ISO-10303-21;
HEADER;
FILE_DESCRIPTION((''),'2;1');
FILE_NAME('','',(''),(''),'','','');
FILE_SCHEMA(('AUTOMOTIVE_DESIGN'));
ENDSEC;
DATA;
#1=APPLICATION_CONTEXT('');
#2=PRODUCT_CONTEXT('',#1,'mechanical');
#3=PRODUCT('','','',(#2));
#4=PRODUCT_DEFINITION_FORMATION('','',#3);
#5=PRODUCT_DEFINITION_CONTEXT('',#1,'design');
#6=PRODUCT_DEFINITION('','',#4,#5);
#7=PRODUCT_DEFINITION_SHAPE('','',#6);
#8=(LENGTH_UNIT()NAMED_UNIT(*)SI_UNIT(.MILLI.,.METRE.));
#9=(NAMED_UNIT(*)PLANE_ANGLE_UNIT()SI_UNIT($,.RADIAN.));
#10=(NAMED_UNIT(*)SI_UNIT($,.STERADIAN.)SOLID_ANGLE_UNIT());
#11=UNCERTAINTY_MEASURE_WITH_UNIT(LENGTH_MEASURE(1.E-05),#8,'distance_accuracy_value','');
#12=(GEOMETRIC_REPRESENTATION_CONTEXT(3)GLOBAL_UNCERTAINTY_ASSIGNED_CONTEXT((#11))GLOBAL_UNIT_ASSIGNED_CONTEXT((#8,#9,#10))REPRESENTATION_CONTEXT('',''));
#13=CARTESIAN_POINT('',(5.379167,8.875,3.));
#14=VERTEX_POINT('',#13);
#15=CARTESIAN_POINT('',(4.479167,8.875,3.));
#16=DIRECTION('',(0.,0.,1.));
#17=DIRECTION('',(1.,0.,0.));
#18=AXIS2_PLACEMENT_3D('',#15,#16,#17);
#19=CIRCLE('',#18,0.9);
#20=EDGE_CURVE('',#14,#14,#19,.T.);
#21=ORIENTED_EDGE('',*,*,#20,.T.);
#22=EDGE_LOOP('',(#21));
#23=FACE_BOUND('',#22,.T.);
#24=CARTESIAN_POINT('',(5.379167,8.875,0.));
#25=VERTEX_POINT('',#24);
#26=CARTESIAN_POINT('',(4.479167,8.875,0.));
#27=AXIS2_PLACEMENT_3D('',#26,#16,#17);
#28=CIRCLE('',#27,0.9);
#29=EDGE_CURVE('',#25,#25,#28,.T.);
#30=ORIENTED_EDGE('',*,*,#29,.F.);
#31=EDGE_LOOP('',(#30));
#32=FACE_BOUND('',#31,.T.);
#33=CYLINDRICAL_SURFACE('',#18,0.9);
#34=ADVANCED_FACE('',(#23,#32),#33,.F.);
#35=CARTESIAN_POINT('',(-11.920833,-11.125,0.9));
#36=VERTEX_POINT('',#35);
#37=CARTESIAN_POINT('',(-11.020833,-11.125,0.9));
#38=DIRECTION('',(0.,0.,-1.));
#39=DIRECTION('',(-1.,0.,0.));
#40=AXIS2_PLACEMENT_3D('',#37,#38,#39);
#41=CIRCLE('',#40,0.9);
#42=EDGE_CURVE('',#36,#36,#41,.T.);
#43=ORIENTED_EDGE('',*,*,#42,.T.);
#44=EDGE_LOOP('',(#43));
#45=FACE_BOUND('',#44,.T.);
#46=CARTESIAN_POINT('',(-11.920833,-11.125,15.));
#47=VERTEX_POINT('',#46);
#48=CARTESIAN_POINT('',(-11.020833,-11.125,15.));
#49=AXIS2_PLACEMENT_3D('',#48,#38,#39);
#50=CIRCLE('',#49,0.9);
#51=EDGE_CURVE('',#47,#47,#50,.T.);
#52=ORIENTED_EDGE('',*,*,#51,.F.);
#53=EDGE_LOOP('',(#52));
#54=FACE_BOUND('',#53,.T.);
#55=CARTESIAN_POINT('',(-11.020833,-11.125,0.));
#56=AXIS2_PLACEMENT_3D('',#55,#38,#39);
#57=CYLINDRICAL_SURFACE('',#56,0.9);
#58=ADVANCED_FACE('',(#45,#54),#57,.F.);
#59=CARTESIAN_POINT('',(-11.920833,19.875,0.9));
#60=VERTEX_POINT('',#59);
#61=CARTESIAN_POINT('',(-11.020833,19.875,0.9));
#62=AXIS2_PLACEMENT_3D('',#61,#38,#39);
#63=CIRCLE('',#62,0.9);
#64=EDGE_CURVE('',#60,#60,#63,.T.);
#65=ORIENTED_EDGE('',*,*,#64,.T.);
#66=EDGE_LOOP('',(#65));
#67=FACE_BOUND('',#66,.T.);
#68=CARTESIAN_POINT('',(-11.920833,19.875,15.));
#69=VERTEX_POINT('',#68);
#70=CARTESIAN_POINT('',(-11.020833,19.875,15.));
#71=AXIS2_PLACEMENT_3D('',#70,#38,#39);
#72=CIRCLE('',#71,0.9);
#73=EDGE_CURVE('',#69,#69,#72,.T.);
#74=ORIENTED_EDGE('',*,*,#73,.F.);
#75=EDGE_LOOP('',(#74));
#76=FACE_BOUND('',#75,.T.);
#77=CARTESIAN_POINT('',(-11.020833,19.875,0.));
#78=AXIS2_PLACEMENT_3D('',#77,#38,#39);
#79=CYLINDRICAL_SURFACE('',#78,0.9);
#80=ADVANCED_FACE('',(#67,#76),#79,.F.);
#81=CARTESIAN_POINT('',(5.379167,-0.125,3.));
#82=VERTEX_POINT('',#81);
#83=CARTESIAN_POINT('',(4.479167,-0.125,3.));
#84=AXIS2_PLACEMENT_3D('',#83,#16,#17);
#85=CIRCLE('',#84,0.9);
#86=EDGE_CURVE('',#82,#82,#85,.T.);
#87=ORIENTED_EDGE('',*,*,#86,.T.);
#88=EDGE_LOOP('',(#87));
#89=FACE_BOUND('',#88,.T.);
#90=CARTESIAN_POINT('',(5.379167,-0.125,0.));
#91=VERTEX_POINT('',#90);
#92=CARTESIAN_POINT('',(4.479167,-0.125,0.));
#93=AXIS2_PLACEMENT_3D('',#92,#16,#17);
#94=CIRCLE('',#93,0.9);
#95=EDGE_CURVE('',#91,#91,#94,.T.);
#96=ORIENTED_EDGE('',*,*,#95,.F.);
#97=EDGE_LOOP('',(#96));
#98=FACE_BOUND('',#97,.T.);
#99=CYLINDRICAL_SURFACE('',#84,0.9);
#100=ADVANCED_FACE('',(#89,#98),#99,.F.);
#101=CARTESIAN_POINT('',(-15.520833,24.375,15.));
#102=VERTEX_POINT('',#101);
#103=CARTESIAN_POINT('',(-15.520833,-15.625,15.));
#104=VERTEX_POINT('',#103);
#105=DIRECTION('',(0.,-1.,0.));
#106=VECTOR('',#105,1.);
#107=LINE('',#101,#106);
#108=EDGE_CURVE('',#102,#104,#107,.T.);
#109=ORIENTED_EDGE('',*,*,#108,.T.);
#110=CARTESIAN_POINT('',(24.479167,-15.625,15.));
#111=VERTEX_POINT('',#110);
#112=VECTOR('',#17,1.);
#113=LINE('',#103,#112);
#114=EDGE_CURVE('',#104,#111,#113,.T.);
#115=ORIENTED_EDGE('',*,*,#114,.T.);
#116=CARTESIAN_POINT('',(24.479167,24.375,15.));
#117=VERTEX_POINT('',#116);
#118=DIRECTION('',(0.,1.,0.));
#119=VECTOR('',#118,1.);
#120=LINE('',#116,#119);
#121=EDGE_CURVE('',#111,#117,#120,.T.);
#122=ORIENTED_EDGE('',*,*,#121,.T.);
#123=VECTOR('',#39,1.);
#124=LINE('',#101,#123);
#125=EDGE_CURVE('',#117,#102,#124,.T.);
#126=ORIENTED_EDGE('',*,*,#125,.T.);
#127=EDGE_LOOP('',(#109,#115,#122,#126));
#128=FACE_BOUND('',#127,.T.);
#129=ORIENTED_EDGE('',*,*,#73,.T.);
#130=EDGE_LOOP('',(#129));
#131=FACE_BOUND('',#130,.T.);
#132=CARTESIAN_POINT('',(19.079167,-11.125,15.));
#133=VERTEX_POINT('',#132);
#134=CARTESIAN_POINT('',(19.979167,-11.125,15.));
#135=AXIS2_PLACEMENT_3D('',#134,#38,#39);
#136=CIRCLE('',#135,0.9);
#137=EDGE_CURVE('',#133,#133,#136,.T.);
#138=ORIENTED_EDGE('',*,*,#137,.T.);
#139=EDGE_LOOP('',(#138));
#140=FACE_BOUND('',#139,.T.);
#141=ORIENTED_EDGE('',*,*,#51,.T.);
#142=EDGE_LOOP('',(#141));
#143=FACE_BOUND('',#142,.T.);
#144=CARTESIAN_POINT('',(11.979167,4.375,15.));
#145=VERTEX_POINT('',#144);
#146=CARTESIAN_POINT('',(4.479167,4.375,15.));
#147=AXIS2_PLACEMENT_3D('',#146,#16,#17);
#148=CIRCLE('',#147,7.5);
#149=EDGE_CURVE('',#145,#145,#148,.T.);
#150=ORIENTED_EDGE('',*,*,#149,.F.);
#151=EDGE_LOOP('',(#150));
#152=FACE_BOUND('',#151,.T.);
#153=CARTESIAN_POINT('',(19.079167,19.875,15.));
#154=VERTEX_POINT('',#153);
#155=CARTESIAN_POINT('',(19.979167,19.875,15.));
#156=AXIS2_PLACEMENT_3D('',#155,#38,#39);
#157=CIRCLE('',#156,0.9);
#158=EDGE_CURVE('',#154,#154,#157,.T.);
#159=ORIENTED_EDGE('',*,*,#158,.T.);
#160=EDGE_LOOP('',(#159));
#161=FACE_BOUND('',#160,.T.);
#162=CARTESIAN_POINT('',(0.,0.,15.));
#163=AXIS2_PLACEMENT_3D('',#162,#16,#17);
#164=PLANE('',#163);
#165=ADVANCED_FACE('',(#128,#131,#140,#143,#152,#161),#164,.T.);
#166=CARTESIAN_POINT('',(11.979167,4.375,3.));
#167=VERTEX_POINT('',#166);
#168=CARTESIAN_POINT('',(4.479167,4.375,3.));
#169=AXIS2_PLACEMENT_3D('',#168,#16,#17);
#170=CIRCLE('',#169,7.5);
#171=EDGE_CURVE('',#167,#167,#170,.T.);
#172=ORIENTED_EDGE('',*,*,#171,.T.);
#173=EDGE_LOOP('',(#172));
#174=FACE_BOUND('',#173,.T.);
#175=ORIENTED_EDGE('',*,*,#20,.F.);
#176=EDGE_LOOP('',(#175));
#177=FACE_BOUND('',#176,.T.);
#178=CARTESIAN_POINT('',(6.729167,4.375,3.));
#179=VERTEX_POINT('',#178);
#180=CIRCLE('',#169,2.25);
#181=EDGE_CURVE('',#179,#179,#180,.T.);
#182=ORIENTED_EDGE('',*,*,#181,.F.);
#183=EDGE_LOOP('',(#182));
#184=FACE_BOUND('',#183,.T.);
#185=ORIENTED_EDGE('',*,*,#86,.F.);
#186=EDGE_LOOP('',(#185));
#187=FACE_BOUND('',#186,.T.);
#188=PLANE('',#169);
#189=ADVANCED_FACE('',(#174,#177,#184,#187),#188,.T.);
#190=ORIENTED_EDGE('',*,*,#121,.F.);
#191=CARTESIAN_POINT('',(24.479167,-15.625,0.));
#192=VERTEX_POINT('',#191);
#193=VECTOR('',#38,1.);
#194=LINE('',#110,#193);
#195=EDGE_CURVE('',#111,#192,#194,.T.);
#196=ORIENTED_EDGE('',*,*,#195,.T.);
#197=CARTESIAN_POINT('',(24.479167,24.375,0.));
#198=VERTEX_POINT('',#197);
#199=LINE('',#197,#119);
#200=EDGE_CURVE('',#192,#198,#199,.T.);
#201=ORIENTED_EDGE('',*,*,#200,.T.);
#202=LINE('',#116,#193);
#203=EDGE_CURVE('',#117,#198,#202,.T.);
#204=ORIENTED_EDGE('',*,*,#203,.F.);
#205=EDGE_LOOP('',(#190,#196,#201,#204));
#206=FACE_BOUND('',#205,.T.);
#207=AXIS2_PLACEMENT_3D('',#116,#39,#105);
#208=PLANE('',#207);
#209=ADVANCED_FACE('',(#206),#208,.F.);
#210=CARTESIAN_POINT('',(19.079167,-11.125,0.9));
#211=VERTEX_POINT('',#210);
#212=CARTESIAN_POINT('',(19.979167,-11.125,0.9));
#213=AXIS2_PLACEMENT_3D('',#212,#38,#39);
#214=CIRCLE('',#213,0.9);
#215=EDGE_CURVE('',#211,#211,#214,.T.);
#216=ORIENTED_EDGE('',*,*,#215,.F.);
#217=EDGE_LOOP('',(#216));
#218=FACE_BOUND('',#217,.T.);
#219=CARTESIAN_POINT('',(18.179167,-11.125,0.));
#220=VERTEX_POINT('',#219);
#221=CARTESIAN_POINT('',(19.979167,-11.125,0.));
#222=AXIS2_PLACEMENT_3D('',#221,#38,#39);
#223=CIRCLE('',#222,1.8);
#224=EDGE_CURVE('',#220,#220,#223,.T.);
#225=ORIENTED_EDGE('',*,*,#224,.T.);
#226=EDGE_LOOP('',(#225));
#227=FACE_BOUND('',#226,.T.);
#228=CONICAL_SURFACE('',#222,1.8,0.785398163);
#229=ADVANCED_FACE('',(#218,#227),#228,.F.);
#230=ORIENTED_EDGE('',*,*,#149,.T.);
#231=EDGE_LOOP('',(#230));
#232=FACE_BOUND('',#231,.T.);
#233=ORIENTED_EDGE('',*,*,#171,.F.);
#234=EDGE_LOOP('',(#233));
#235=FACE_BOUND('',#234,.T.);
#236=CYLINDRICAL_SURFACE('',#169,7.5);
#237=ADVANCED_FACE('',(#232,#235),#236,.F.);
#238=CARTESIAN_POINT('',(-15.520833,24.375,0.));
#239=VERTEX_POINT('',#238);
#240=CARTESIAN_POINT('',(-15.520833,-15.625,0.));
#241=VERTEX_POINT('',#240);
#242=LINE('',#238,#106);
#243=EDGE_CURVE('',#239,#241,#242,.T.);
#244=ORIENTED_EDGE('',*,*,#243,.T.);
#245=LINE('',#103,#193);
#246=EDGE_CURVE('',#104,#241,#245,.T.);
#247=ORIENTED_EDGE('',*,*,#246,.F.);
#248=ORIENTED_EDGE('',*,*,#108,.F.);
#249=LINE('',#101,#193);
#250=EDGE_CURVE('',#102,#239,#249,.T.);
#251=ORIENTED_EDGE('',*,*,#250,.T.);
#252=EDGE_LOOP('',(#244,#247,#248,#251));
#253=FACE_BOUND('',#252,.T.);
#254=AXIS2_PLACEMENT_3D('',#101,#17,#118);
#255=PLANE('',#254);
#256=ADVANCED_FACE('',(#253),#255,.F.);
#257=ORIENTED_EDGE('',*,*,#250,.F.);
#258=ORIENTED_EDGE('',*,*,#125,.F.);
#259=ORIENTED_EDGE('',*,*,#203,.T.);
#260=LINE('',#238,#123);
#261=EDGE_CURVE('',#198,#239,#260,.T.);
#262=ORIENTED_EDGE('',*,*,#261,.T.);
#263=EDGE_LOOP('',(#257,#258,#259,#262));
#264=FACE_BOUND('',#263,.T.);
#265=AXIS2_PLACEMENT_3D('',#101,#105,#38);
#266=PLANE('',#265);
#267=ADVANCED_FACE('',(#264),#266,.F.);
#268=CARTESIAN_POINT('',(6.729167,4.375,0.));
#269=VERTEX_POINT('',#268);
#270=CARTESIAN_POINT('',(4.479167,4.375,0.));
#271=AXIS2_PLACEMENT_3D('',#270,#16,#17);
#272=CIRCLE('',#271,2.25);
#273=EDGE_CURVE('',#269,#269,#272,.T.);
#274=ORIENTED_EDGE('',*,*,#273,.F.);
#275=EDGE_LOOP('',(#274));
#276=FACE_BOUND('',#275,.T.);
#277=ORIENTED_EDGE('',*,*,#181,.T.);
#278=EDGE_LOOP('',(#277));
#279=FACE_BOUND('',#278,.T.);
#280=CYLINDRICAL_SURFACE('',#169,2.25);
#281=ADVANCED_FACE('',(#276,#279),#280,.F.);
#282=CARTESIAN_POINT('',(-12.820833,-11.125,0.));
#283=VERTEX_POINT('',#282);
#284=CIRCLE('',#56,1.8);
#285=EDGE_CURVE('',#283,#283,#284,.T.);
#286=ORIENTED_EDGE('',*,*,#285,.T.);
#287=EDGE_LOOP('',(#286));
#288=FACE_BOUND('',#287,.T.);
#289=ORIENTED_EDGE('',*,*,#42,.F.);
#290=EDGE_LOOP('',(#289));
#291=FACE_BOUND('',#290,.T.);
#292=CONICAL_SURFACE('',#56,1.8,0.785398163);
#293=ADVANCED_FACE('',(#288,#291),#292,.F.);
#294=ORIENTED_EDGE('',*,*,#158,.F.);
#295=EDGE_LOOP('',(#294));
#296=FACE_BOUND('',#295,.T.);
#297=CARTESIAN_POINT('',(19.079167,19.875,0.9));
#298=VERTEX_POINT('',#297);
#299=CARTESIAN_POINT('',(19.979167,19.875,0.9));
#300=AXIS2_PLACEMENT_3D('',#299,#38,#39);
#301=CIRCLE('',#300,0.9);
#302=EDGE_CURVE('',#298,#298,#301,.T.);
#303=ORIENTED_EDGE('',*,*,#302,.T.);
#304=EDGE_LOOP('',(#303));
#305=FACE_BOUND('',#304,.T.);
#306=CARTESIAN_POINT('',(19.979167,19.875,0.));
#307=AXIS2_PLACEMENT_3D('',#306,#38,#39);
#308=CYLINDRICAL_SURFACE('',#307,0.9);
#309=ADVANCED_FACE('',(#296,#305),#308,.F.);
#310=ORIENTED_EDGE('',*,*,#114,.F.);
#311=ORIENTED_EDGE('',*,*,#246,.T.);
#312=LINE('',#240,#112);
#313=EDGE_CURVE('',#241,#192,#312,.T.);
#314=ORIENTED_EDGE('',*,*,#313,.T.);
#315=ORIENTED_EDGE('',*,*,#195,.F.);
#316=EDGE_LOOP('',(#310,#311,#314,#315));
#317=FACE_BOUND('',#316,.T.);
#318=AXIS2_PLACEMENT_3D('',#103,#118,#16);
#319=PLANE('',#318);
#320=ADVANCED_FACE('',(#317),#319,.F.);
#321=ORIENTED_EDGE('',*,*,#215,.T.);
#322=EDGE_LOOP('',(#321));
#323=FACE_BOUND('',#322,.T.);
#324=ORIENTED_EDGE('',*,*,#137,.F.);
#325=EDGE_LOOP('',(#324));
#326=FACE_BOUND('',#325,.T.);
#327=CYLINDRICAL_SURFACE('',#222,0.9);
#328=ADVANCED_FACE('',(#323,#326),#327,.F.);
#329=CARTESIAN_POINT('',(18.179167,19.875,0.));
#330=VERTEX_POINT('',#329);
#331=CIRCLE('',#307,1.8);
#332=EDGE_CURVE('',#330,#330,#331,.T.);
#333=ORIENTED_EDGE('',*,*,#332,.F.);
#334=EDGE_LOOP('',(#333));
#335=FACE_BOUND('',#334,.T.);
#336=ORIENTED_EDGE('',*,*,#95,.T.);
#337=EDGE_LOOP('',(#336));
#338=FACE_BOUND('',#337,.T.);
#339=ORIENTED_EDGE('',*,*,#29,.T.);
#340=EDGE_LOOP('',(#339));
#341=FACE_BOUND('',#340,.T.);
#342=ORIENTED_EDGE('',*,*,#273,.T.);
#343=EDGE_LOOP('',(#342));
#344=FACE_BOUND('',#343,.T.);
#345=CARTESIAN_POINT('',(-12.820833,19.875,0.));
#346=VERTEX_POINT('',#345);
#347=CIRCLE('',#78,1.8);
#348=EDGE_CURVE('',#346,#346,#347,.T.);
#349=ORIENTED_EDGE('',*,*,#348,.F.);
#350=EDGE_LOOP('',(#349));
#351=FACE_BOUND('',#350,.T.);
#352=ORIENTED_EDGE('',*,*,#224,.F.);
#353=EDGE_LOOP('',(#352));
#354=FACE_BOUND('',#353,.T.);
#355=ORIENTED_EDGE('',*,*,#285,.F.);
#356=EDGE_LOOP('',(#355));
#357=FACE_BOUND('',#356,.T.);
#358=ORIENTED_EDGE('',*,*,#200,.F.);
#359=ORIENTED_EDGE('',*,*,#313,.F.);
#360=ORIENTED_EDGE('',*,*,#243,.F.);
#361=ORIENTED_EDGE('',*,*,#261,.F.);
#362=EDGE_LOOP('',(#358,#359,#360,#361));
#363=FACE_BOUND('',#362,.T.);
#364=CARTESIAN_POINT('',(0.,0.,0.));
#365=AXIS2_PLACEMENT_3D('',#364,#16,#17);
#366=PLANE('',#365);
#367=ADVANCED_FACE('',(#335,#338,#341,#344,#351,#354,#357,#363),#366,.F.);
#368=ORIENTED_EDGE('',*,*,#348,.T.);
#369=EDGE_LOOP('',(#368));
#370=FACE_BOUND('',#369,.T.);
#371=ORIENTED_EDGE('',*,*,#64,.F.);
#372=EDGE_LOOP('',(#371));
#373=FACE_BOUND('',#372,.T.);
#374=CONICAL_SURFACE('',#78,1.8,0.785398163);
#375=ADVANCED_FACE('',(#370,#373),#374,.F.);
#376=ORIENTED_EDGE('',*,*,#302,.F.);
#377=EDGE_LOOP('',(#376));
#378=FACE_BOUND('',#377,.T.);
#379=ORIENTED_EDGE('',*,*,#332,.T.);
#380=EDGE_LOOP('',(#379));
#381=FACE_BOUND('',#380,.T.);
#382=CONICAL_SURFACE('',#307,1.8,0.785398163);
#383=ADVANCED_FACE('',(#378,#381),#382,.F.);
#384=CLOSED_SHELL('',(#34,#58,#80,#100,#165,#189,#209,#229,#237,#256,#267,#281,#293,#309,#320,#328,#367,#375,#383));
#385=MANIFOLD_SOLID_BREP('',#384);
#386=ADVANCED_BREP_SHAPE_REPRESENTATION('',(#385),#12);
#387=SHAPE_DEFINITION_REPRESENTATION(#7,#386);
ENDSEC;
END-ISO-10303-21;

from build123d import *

# Parameters (mm, degrees)
SKIZZE1_W                                            = 40
SKIZZE1_H                                            = 40
AUFSATZ_LINEAR_AUSTRAGEN1_DEPTH                      = 15
SKIZZE3_R                                            = 7.5
SCHNITT_LINEAR_AUSTRAGEN1_DEPTH                      = 12
DURCHGANGSLOCH_F_R_M41_D                             = 4.5
DURCHGANGSLOCH_F_R_M1_61_D                           = 1.8
FORMSENKUNG_F_R_M1_6_SENKSCHRAUBE_MIT_SC_D           = 1.8
FORMSENKUNG_F_R_M1_6_SENKSCHRAUBE_MIT_SC_CSINK_D     = 3.6
FORMSENKUNG_F_R_M1_6_SENKSCHRAUBE_MIT_SC_CSINK_ANGLE = 90


with BuildPart() as part:
    # Skizze1 → Aufsatz-Linear austragen1 (new body)
    with BuildSketch(Plane.XY):
        with Locations((4.479166667, 4.375)):
            Rectangle(SKIZZE1_W, SKIZZE1_H)
    extrude(amount=AUFSATZ_LINEAR_AUSTRAGEN1_DEPTH)

    # Skizze3 → Schnitt-Linear austragen1 (cut)
    with BuildSketch(Plane.XY.offset(15)):
        with Locations((4.479166667, 4.375)):
            Circle(SKIZZE3_R)
    extrude(amount=-SCHNITT_LINEAR_AUSTRAGEN1_DEPTH, mode=Mode.SUBTRACT)

    # Durchgangsloch für M41 (through all)
    with Locations(Plane.XY.offset(3)):
        with Locations((4.479166667, 4.375)):
            Hole(DURCHGANGSLOCH_F_R_M41_D / 2)

    # Durchgangsloch für M1.61 (through all)
    with Locations(Plane.XY.offset(3)):
        with Locations((4.479166667, 8.875), (4.479166667, -0.125)):
            Hole(DURCHGANGSLOCH_F_R_M1_61_D / 2)

    # Formsenkung für M1.6 Senkschraube mit Schlitz/Kreuzschlitz1 (through all)
    with Locations(Plane(origin=(0, 0, 0), x_dir=(-1, 0, 0), z_dir=(0, 0, -1))):
        with Locations((-19.979166667, 19.875), (11.020833333, 19.875), (11.020833333, -11.125), (-19.979166667, -11.125)):
            CounterSinkHole(FORMSENKUNG_F_R_M1_6_SENKSCHRAUBE_MIT_SC_D / 2, FORMSENKUNG_F_R_M1_6_SENKSCHRAUBE_MIT_SC_CSINK_D / 2, counter_sink_angle=FORMSENKUNG_F_R_M1_6_SENKSCHRAUBE_MIT_SC_CSINK_ANGLE)


solid = part.part
